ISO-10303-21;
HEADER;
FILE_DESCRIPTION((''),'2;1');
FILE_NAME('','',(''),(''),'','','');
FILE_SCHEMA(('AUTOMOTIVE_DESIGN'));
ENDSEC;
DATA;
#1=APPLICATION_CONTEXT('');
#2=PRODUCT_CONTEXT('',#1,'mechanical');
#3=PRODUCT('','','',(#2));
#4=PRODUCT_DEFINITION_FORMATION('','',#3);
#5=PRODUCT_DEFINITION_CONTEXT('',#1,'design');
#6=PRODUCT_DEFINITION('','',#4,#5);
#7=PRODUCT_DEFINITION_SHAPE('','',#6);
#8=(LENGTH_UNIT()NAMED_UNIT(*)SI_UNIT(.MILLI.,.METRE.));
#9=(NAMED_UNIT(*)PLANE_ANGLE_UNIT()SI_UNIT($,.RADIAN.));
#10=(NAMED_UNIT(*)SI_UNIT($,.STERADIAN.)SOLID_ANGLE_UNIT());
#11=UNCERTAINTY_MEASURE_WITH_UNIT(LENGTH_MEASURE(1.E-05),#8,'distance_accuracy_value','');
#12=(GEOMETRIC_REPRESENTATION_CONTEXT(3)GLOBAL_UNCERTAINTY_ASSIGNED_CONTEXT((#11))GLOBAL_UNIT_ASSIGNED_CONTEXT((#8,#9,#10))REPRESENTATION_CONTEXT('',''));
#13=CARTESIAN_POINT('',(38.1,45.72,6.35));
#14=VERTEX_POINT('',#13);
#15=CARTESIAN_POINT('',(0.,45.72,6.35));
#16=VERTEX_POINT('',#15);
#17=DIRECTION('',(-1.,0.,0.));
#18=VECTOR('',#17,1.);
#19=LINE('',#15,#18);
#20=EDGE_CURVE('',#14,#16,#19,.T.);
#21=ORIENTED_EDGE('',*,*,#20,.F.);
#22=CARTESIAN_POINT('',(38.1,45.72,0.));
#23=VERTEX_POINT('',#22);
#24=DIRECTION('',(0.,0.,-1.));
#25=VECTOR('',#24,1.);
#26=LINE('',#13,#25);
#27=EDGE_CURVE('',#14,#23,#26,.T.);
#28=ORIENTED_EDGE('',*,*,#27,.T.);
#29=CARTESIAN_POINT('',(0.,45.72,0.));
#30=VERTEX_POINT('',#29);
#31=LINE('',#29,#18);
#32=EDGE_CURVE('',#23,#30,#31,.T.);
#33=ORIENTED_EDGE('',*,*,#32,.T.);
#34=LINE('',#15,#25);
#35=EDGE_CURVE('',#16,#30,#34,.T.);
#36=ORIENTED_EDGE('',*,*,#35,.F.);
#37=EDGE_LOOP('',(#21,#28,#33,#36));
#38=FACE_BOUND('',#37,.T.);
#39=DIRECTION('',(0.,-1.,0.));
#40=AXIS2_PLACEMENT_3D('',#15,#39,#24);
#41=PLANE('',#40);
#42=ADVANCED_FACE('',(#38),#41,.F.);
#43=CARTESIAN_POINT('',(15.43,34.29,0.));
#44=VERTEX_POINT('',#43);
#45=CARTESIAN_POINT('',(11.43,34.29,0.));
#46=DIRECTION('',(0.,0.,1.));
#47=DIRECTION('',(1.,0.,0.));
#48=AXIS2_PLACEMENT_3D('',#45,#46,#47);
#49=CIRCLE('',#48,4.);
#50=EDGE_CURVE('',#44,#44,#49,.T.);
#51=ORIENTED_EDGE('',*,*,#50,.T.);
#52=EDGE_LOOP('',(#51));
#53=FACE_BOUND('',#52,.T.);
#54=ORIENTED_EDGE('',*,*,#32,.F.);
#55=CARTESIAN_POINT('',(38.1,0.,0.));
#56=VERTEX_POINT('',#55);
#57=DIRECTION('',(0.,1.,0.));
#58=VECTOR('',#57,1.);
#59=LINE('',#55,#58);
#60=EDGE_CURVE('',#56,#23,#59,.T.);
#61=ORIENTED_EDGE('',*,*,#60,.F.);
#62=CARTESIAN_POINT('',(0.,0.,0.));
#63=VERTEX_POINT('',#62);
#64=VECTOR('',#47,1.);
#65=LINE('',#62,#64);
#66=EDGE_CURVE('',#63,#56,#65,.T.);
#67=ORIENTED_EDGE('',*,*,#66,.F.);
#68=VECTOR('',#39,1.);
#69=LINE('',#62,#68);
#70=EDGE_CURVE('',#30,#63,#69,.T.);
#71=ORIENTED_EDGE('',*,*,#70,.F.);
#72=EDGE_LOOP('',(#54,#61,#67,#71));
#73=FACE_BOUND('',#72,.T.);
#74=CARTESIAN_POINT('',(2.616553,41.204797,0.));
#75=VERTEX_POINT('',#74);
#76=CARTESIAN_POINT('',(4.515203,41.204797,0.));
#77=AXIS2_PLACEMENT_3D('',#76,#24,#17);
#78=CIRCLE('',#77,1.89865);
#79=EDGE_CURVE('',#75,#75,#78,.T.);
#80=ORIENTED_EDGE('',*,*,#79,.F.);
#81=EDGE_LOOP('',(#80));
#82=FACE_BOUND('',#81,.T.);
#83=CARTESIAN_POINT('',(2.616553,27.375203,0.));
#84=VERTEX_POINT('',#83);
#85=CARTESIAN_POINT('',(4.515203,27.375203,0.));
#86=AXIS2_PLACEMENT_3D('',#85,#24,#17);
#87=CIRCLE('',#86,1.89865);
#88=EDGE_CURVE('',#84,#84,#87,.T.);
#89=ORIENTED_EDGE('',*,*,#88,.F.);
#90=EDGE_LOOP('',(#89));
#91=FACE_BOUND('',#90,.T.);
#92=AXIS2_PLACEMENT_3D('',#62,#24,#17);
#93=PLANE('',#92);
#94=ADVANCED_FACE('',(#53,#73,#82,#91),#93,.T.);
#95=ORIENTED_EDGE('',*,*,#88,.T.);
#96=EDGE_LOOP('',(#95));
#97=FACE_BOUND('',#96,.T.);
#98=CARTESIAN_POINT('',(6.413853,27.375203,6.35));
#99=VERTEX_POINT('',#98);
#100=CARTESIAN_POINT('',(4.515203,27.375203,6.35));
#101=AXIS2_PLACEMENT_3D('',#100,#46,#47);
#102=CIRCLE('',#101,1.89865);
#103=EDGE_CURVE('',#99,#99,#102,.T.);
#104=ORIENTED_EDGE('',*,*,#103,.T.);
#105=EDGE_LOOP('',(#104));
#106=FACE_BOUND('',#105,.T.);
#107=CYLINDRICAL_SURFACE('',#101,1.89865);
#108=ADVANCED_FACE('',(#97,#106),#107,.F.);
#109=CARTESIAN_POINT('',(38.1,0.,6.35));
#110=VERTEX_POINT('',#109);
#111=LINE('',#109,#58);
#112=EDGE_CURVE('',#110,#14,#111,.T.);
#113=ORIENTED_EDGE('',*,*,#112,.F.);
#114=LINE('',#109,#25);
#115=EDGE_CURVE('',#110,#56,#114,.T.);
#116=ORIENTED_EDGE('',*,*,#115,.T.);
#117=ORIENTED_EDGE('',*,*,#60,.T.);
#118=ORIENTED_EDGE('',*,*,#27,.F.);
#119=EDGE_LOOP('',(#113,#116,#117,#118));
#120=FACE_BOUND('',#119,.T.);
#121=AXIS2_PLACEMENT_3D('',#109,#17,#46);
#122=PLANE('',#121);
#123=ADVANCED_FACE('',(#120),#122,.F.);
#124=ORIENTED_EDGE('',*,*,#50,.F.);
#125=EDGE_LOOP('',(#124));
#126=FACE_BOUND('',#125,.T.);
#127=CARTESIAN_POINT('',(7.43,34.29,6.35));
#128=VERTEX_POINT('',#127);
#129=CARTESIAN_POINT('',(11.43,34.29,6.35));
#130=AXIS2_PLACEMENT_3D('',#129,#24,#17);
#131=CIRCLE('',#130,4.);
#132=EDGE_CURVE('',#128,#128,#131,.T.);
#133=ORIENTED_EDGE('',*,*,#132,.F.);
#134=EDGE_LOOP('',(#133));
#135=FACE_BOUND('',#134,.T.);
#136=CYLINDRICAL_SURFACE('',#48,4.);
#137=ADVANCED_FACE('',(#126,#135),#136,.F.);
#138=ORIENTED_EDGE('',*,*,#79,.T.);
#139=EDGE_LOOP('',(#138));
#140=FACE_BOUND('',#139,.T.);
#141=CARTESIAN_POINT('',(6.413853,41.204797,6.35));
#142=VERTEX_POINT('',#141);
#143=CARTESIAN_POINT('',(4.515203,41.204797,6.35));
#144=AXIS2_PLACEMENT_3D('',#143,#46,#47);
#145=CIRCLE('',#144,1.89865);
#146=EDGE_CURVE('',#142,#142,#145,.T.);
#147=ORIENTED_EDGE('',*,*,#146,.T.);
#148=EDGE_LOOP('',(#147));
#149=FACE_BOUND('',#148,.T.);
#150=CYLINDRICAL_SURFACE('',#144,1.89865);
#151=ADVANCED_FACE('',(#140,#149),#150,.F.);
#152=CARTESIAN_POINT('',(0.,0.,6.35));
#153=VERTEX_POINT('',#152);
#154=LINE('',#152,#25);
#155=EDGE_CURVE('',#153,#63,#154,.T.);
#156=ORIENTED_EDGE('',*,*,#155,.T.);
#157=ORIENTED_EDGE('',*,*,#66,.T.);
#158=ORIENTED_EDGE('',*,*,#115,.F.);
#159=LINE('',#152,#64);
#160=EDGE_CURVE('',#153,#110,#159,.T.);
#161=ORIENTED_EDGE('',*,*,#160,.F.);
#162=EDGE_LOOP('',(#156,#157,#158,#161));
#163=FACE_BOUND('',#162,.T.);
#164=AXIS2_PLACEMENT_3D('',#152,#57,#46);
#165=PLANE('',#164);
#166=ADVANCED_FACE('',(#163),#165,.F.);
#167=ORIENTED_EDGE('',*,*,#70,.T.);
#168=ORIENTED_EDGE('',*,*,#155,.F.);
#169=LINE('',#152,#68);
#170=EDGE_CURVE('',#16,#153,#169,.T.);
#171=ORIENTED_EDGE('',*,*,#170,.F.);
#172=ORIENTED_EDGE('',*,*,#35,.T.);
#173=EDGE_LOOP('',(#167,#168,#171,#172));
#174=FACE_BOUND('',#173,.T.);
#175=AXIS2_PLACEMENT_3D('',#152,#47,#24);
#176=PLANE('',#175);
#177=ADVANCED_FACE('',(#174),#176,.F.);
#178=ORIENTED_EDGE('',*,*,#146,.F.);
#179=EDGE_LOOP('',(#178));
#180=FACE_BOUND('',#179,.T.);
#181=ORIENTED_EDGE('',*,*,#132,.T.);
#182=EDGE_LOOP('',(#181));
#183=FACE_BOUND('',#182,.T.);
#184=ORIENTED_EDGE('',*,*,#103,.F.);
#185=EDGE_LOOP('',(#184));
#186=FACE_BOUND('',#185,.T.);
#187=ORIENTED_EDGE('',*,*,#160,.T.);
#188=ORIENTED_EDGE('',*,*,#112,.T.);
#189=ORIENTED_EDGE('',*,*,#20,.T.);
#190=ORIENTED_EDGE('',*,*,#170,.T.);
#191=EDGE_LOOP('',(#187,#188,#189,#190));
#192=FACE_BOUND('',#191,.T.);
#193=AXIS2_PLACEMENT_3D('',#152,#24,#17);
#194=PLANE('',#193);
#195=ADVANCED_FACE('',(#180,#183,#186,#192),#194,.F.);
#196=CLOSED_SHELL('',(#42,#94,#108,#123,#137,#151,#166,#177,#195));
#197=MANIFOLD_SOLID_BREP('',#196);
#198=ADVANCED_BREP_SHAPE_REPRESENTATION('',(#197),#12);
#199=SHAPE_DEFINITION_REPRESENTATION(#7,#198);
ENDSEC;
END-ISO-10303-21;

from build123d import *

# Parameters (mm, degrees)
SKETCH1_W                 = 38.1
SKETCH1_H                 = 45.72
BOSS_EXTRUDE1_DEPTH       = 6.35
SKETCH2_R                 = 4
CUT_EXTRUDE1_DEPTH        = 1
CUT_EXTRUDE1_DEPTH_BACK   = 7.35
F_6_CLEARANCE_HOLE2_D     = 3.7973
F_6_CLEARANCE_HOLE2_DEPTH = 6.35


with BuildPart() as part:
    # Sketch1 → Boss-Extrude1 (new body)
    with BuildSketch(Plane.XY):
        with Locations((19.05, 22.86)):
            Rectangle(SKETCH1_W, SKETCH1_H)
    extrude(amount=BOSS_EXTRUDE1_DEPTH)

    # Sketch2 → Cut-Extrude1 (cut, two sides)
    with BuildSketch(Plane.XY.offset(6.35)) as cut_extrude1_sk:
        with Locations((11.43, 34.29)):
            Circle(SKETCH2_R)
    extrude(amount=CUT_EXTRUDE1_DEPTH, mode=Mode.SUBTRACT)
    extrude(cut_extrude1_sk.sketch, amount=-CUT_EXTRUDE1_DEPTH_BACK, mode=Mode.SUBTRACT)

    # #6 Clearance Hole2
    with Locations(Plane.XY.offset(6.35)):
        with Locations((4.515202787, 41.204797213), (4.515202787, 27.375202787)):
            Hole(F_6_CLEARANCE_HOLE2_D / 2, depth=F_6_CLEARANCE_HOLE2_DEPTH)


solid = part.part
